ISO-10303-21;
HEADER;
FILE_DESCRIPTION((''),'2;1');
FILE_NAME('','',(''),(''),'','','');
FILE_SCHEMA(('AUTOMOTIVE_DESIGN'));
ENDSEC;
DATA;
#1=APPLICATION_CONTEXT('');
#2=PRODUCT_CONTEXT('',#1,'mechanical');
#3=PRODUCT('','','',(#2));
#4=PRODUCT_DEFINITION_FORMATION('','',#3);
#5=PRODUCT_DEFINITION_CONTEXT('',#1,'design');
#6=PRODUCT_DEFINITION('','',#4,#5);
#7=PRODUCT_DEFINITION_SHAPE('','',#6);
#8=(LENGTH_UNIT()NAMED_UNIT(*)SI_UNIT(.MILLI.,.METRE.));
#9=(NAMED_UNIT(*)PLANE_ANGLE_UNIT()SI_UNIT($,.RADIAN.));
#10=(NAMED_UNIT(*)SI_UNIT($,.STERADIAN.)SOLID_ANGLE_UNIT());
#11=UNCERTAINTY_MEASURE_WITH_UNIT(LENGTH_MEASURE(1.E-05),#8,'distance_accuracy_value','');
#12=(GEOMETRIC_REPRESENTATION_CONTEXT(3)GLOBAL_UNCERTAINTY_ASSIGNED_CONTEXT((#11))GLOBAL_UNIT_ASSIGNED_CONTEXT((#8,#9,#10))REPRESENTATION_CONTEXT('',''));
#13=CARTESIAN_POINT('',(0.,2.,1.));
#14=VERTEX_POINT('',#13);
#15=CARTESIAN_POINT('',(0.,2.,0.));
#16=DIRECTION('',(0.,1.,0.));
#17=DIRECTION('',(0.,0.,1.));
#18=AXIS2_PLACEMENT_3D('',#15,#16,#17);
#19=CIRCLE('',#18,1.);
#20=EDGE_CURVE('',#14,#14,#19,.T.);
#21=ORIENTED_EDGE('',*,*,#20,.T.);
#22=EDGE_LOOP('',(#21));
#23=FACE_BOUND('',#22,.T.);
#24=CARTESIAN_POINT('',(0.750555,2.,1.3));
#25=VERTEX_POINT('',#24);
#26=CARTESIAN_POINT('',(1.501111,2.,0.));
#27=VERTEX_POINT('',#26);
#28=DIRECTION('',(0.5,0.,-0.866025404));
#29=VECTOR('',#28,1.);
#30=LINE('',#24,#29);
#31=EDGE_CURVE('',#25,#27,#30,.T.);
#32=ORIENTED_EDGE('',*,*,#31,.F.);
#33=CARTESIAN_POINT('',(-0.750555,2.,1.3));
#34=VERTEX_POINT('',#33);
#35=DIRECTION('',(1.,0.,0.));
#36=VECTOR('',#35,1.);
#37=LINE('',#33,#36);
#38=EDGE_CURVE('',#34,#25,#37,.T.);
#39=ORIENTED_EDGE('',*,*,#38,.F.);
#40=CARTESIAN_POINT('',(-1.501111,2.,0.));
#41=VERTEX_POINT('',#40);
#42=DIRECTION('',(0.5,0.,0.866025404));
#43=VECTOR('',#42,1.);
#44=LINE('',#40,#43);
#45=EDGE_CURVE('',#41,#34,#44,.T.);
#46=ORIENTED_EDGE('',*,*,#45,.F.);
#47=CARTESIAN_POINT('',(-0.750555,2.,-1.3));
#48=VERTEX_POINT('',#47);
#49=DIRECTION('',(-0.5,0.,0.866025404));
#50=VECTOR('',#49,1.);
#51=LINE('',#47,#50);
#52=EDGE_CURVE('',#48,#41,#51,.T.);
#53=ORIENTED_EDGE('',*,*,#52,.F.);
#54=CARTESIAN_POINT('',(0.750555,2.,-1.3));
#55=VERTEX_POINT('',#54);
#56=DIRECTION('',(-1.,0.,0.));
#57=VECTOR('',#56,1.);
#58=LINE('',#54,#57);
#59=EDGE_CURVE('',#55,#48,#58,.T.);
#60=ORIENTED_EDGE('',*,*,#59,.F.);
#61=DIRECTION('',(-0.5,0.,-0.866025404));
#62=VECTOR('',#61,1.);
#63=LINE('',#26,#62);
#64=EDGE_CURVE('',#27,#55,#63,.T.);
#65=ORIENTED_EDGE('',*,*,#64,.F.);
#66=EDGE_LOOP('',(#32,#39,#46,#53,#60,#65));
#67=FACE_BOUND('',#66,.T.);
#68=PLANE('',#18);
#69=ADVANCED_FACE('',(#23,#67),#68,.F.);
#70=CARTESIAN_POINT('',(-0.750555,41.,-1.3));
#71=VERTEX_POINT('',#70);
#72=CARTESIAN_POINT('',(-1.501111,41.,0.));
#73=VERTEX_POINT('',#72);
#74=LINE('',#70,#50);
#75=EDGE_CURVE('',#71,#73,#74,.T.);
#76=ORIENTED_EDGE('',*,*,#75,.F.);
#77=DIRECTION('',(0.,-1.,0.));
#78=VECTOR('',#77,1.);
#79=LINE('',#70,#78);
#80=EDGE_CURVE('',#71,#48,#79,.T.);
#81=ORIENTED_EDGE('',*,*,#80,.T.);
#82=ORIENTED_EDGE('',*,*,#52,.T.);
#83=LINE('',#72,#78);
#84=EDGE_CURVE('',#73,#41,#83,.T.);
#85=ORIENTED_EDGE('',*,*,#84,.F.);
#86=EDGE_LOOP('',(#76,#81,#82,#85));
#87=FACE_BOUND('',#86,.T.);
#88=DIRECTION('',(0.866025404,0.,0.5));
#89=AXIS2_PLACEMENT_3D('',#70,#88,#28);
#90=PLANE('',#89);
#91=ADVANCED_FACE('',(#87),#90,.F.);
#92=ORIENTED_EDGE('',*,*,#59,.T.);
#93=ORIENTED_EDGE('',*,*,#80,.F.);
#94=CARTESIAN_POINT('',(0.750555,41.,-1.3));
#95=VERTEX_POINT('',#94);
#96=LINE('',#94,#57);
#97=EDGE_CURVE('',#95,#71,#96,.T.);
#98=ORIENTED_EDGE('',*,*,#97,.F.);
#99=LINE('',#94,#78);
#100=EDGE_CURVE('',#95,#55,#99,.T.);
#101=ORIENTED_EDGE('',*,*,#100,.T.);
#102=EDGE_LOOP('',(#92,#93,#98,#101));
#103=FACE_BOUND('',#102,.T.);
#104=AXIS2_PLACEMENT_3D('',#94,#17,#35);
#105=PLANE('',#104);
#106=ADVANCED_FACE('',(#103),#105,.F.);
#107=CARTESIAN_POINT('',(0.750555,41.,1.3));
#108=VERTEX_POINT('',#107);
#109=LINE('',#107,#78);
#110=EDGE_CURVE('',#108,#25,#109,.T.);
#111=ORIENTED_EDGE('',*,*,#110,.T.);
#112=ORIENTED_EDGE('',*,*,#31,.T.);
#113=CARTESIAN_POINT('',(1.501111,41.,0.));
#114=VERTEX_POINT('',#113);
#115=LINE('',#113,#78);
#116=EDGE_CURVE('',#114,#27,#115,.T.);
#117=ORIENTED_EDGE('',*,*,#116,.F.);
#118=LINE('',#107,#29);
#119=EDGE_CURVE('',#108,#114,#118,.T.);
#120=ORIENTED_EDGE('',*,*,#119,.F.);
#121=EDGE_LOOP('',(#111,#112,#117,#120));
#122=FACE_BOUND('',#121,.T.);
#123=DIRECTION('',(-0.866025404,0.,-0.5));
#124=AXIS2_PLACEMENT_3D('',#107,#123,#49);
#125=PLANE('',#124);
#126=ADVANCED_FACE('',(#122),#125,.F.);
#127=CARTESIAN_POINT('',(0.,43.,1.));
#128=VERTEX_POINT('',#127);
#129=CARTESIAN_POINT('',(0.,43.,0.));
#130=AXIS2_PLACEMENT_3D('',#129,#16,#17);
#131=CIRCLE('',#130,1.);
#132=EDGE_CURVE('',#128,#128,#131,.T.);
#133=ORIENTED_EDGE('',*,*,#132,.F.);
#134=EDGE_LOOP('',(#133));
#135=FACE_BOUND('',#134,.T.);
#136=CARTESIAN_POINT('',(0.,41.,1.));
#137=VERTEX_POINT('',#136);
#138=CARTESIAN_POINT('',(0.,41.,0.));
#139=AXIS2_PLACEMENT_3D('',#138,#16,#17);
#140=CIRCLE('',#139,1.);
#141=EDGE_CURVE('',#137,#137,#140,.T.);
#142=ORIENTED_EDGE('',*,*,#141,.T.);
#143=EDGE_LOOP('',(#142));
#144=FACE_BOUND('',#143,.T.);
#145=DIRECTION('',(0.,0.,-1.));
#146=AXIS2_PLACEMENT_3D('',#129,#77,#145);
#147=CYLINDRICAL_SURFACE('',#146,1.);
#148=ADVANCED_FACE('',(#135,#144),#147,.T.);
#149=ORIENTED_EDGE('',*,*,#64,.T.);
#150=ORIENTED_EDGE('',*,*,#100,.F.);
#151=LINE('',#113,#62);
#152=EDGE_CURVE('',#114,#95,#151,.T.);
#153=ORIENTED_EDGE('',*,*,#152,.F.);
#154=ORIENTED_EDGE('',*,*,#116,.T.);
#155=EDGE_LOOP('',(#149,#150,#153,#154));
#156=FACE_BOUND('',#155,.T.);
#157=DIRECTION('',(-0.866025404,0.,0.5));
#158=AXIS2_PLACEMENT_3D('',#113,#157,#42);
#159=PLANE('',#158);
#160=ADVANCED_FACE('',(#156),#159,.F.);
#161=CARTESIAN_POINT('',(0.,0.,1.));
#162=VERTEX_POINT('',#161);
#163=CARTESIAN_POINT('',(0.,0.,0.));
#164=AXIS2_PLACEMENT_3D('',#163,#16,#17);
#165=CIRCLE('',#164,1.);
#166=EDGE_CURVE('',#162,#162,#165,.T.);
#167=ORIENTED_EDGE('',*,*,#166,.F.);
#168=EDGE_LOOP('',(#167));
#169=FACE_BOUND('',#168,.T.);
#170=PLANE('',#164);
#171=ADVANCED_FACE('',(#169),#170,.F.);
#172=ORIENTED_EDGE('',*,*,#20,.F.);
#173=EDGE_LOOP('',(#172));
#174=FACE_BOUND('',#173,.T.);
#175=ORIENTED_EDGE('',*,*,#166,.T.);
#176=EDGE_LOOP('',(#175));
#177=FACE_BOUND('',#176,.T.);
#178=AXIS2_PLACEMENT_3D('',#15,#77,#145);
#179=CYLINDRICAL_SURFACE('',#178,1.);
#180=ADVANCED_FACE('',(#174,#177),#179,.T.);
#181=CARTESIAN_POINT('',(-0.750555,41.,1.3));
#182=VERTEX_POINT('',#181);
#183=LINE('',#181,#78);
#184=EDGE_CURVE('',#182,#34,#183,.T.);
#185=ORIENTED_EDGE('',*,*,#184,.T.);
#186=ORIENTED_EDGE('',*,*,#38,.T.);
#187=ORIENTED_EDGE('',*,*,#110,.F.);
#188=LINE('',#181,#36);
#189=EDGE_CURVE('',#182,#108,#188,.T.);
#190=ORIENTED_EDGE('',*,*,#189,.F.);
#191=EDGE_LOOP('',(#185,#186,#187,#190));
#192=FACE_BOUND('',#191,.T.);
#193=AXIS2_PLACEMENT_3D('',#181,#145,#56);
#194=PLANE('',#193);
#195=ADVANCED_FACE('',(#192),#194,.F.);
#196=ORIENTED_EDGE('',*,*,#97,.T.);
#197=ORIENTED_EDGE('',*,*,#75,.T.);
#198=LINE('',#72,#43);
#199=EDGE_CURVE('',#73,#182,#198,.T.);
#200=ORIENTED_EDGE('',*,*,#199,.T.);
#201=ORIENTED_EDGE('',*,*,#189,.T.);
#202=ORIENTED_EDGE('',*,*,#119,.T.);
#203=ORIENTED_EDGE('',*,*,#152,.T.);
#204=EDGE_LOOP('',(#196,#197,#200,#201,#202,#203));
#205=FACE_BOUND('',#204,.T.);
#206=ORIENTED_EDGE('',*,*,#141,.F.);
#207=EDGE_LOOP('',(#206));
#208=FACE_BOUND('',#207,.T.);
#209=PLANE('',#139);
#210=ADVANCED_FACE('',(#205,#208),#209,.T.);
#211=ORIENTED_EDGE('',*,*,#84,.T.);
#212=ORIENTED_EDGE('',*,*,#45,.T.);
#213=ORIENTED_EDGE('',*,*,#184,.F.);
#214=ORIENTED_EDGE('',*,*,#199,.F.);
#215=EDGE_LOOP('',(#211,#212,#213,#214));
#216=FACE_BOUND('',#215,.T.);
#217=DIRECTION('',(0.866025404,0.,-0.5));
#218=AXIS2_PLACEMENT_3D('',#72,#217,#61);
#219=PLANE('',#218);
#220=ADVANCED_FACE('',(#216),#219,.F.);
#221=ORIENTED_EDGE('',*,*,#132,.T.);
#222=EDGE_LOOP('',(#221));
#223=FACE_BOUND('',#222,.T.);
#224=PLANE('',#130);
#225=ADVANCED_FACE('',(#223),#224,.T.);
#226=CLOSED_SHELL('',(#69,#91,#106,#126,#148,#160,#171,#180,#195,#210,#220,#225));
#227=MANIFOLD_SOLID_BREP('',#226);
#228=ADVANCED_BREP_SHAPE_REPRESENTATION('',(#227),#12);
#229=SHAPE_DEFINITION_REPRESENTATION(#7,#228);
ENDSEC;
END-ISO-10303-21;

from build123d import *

# Parameters (mm, degrees)
SKETCH_1_R      = 1
EXTRUDE_1_DEPTH = 2
EXTRUDE_2_DEPTH = 39
SKETCH_3_R      = 1
EXTRUDE_3_DEPTH = 2


with BuildPart() as part:
    # 草图1 → 凸台-拉伸1 (new body)
    with BuildSketch(Plane(origin=(0, 0, 0), x_dir=(1, 0, 0), z_dir=(0, 1, 0))):
        with Locations(Location((0, 0, 0), (0, 0, 270))):
            Circle(SKETCH_1_R)
    extrude(amount=EXTRUDE_1_DEPTH)

    # 草图2 → 凸台-拉伸2 (add)
    with BuildSketch(Plane(origin=(0, 2, 0), x_dir=(1, 0, 0), z_dir=(0, 1, 0))):
        Polygon((1.5011107, 0), (0.75055535, 1.3), (-0.75055535, 1.3), (-1.5011107, 0), (-0.75055535, -1.3), (0.75055535, -1.3), align=None)
    extrude(amount=EXTRUDE_2_DEPTH)

    # 草图3 → 凸台-拉伸3 (add)
    with BuildSketch(Plane(origin=(0, 41, 0), x_dir=(1, 0, 0), z_dir=(0, 1, 0))):
        with Locations(Location((0, 0, 0), (0, 0, 270))):
            Circle(SKETCH_3_R)
    extrude(amount=EXTRUDE_3_DEPTH)


solid = part.part
